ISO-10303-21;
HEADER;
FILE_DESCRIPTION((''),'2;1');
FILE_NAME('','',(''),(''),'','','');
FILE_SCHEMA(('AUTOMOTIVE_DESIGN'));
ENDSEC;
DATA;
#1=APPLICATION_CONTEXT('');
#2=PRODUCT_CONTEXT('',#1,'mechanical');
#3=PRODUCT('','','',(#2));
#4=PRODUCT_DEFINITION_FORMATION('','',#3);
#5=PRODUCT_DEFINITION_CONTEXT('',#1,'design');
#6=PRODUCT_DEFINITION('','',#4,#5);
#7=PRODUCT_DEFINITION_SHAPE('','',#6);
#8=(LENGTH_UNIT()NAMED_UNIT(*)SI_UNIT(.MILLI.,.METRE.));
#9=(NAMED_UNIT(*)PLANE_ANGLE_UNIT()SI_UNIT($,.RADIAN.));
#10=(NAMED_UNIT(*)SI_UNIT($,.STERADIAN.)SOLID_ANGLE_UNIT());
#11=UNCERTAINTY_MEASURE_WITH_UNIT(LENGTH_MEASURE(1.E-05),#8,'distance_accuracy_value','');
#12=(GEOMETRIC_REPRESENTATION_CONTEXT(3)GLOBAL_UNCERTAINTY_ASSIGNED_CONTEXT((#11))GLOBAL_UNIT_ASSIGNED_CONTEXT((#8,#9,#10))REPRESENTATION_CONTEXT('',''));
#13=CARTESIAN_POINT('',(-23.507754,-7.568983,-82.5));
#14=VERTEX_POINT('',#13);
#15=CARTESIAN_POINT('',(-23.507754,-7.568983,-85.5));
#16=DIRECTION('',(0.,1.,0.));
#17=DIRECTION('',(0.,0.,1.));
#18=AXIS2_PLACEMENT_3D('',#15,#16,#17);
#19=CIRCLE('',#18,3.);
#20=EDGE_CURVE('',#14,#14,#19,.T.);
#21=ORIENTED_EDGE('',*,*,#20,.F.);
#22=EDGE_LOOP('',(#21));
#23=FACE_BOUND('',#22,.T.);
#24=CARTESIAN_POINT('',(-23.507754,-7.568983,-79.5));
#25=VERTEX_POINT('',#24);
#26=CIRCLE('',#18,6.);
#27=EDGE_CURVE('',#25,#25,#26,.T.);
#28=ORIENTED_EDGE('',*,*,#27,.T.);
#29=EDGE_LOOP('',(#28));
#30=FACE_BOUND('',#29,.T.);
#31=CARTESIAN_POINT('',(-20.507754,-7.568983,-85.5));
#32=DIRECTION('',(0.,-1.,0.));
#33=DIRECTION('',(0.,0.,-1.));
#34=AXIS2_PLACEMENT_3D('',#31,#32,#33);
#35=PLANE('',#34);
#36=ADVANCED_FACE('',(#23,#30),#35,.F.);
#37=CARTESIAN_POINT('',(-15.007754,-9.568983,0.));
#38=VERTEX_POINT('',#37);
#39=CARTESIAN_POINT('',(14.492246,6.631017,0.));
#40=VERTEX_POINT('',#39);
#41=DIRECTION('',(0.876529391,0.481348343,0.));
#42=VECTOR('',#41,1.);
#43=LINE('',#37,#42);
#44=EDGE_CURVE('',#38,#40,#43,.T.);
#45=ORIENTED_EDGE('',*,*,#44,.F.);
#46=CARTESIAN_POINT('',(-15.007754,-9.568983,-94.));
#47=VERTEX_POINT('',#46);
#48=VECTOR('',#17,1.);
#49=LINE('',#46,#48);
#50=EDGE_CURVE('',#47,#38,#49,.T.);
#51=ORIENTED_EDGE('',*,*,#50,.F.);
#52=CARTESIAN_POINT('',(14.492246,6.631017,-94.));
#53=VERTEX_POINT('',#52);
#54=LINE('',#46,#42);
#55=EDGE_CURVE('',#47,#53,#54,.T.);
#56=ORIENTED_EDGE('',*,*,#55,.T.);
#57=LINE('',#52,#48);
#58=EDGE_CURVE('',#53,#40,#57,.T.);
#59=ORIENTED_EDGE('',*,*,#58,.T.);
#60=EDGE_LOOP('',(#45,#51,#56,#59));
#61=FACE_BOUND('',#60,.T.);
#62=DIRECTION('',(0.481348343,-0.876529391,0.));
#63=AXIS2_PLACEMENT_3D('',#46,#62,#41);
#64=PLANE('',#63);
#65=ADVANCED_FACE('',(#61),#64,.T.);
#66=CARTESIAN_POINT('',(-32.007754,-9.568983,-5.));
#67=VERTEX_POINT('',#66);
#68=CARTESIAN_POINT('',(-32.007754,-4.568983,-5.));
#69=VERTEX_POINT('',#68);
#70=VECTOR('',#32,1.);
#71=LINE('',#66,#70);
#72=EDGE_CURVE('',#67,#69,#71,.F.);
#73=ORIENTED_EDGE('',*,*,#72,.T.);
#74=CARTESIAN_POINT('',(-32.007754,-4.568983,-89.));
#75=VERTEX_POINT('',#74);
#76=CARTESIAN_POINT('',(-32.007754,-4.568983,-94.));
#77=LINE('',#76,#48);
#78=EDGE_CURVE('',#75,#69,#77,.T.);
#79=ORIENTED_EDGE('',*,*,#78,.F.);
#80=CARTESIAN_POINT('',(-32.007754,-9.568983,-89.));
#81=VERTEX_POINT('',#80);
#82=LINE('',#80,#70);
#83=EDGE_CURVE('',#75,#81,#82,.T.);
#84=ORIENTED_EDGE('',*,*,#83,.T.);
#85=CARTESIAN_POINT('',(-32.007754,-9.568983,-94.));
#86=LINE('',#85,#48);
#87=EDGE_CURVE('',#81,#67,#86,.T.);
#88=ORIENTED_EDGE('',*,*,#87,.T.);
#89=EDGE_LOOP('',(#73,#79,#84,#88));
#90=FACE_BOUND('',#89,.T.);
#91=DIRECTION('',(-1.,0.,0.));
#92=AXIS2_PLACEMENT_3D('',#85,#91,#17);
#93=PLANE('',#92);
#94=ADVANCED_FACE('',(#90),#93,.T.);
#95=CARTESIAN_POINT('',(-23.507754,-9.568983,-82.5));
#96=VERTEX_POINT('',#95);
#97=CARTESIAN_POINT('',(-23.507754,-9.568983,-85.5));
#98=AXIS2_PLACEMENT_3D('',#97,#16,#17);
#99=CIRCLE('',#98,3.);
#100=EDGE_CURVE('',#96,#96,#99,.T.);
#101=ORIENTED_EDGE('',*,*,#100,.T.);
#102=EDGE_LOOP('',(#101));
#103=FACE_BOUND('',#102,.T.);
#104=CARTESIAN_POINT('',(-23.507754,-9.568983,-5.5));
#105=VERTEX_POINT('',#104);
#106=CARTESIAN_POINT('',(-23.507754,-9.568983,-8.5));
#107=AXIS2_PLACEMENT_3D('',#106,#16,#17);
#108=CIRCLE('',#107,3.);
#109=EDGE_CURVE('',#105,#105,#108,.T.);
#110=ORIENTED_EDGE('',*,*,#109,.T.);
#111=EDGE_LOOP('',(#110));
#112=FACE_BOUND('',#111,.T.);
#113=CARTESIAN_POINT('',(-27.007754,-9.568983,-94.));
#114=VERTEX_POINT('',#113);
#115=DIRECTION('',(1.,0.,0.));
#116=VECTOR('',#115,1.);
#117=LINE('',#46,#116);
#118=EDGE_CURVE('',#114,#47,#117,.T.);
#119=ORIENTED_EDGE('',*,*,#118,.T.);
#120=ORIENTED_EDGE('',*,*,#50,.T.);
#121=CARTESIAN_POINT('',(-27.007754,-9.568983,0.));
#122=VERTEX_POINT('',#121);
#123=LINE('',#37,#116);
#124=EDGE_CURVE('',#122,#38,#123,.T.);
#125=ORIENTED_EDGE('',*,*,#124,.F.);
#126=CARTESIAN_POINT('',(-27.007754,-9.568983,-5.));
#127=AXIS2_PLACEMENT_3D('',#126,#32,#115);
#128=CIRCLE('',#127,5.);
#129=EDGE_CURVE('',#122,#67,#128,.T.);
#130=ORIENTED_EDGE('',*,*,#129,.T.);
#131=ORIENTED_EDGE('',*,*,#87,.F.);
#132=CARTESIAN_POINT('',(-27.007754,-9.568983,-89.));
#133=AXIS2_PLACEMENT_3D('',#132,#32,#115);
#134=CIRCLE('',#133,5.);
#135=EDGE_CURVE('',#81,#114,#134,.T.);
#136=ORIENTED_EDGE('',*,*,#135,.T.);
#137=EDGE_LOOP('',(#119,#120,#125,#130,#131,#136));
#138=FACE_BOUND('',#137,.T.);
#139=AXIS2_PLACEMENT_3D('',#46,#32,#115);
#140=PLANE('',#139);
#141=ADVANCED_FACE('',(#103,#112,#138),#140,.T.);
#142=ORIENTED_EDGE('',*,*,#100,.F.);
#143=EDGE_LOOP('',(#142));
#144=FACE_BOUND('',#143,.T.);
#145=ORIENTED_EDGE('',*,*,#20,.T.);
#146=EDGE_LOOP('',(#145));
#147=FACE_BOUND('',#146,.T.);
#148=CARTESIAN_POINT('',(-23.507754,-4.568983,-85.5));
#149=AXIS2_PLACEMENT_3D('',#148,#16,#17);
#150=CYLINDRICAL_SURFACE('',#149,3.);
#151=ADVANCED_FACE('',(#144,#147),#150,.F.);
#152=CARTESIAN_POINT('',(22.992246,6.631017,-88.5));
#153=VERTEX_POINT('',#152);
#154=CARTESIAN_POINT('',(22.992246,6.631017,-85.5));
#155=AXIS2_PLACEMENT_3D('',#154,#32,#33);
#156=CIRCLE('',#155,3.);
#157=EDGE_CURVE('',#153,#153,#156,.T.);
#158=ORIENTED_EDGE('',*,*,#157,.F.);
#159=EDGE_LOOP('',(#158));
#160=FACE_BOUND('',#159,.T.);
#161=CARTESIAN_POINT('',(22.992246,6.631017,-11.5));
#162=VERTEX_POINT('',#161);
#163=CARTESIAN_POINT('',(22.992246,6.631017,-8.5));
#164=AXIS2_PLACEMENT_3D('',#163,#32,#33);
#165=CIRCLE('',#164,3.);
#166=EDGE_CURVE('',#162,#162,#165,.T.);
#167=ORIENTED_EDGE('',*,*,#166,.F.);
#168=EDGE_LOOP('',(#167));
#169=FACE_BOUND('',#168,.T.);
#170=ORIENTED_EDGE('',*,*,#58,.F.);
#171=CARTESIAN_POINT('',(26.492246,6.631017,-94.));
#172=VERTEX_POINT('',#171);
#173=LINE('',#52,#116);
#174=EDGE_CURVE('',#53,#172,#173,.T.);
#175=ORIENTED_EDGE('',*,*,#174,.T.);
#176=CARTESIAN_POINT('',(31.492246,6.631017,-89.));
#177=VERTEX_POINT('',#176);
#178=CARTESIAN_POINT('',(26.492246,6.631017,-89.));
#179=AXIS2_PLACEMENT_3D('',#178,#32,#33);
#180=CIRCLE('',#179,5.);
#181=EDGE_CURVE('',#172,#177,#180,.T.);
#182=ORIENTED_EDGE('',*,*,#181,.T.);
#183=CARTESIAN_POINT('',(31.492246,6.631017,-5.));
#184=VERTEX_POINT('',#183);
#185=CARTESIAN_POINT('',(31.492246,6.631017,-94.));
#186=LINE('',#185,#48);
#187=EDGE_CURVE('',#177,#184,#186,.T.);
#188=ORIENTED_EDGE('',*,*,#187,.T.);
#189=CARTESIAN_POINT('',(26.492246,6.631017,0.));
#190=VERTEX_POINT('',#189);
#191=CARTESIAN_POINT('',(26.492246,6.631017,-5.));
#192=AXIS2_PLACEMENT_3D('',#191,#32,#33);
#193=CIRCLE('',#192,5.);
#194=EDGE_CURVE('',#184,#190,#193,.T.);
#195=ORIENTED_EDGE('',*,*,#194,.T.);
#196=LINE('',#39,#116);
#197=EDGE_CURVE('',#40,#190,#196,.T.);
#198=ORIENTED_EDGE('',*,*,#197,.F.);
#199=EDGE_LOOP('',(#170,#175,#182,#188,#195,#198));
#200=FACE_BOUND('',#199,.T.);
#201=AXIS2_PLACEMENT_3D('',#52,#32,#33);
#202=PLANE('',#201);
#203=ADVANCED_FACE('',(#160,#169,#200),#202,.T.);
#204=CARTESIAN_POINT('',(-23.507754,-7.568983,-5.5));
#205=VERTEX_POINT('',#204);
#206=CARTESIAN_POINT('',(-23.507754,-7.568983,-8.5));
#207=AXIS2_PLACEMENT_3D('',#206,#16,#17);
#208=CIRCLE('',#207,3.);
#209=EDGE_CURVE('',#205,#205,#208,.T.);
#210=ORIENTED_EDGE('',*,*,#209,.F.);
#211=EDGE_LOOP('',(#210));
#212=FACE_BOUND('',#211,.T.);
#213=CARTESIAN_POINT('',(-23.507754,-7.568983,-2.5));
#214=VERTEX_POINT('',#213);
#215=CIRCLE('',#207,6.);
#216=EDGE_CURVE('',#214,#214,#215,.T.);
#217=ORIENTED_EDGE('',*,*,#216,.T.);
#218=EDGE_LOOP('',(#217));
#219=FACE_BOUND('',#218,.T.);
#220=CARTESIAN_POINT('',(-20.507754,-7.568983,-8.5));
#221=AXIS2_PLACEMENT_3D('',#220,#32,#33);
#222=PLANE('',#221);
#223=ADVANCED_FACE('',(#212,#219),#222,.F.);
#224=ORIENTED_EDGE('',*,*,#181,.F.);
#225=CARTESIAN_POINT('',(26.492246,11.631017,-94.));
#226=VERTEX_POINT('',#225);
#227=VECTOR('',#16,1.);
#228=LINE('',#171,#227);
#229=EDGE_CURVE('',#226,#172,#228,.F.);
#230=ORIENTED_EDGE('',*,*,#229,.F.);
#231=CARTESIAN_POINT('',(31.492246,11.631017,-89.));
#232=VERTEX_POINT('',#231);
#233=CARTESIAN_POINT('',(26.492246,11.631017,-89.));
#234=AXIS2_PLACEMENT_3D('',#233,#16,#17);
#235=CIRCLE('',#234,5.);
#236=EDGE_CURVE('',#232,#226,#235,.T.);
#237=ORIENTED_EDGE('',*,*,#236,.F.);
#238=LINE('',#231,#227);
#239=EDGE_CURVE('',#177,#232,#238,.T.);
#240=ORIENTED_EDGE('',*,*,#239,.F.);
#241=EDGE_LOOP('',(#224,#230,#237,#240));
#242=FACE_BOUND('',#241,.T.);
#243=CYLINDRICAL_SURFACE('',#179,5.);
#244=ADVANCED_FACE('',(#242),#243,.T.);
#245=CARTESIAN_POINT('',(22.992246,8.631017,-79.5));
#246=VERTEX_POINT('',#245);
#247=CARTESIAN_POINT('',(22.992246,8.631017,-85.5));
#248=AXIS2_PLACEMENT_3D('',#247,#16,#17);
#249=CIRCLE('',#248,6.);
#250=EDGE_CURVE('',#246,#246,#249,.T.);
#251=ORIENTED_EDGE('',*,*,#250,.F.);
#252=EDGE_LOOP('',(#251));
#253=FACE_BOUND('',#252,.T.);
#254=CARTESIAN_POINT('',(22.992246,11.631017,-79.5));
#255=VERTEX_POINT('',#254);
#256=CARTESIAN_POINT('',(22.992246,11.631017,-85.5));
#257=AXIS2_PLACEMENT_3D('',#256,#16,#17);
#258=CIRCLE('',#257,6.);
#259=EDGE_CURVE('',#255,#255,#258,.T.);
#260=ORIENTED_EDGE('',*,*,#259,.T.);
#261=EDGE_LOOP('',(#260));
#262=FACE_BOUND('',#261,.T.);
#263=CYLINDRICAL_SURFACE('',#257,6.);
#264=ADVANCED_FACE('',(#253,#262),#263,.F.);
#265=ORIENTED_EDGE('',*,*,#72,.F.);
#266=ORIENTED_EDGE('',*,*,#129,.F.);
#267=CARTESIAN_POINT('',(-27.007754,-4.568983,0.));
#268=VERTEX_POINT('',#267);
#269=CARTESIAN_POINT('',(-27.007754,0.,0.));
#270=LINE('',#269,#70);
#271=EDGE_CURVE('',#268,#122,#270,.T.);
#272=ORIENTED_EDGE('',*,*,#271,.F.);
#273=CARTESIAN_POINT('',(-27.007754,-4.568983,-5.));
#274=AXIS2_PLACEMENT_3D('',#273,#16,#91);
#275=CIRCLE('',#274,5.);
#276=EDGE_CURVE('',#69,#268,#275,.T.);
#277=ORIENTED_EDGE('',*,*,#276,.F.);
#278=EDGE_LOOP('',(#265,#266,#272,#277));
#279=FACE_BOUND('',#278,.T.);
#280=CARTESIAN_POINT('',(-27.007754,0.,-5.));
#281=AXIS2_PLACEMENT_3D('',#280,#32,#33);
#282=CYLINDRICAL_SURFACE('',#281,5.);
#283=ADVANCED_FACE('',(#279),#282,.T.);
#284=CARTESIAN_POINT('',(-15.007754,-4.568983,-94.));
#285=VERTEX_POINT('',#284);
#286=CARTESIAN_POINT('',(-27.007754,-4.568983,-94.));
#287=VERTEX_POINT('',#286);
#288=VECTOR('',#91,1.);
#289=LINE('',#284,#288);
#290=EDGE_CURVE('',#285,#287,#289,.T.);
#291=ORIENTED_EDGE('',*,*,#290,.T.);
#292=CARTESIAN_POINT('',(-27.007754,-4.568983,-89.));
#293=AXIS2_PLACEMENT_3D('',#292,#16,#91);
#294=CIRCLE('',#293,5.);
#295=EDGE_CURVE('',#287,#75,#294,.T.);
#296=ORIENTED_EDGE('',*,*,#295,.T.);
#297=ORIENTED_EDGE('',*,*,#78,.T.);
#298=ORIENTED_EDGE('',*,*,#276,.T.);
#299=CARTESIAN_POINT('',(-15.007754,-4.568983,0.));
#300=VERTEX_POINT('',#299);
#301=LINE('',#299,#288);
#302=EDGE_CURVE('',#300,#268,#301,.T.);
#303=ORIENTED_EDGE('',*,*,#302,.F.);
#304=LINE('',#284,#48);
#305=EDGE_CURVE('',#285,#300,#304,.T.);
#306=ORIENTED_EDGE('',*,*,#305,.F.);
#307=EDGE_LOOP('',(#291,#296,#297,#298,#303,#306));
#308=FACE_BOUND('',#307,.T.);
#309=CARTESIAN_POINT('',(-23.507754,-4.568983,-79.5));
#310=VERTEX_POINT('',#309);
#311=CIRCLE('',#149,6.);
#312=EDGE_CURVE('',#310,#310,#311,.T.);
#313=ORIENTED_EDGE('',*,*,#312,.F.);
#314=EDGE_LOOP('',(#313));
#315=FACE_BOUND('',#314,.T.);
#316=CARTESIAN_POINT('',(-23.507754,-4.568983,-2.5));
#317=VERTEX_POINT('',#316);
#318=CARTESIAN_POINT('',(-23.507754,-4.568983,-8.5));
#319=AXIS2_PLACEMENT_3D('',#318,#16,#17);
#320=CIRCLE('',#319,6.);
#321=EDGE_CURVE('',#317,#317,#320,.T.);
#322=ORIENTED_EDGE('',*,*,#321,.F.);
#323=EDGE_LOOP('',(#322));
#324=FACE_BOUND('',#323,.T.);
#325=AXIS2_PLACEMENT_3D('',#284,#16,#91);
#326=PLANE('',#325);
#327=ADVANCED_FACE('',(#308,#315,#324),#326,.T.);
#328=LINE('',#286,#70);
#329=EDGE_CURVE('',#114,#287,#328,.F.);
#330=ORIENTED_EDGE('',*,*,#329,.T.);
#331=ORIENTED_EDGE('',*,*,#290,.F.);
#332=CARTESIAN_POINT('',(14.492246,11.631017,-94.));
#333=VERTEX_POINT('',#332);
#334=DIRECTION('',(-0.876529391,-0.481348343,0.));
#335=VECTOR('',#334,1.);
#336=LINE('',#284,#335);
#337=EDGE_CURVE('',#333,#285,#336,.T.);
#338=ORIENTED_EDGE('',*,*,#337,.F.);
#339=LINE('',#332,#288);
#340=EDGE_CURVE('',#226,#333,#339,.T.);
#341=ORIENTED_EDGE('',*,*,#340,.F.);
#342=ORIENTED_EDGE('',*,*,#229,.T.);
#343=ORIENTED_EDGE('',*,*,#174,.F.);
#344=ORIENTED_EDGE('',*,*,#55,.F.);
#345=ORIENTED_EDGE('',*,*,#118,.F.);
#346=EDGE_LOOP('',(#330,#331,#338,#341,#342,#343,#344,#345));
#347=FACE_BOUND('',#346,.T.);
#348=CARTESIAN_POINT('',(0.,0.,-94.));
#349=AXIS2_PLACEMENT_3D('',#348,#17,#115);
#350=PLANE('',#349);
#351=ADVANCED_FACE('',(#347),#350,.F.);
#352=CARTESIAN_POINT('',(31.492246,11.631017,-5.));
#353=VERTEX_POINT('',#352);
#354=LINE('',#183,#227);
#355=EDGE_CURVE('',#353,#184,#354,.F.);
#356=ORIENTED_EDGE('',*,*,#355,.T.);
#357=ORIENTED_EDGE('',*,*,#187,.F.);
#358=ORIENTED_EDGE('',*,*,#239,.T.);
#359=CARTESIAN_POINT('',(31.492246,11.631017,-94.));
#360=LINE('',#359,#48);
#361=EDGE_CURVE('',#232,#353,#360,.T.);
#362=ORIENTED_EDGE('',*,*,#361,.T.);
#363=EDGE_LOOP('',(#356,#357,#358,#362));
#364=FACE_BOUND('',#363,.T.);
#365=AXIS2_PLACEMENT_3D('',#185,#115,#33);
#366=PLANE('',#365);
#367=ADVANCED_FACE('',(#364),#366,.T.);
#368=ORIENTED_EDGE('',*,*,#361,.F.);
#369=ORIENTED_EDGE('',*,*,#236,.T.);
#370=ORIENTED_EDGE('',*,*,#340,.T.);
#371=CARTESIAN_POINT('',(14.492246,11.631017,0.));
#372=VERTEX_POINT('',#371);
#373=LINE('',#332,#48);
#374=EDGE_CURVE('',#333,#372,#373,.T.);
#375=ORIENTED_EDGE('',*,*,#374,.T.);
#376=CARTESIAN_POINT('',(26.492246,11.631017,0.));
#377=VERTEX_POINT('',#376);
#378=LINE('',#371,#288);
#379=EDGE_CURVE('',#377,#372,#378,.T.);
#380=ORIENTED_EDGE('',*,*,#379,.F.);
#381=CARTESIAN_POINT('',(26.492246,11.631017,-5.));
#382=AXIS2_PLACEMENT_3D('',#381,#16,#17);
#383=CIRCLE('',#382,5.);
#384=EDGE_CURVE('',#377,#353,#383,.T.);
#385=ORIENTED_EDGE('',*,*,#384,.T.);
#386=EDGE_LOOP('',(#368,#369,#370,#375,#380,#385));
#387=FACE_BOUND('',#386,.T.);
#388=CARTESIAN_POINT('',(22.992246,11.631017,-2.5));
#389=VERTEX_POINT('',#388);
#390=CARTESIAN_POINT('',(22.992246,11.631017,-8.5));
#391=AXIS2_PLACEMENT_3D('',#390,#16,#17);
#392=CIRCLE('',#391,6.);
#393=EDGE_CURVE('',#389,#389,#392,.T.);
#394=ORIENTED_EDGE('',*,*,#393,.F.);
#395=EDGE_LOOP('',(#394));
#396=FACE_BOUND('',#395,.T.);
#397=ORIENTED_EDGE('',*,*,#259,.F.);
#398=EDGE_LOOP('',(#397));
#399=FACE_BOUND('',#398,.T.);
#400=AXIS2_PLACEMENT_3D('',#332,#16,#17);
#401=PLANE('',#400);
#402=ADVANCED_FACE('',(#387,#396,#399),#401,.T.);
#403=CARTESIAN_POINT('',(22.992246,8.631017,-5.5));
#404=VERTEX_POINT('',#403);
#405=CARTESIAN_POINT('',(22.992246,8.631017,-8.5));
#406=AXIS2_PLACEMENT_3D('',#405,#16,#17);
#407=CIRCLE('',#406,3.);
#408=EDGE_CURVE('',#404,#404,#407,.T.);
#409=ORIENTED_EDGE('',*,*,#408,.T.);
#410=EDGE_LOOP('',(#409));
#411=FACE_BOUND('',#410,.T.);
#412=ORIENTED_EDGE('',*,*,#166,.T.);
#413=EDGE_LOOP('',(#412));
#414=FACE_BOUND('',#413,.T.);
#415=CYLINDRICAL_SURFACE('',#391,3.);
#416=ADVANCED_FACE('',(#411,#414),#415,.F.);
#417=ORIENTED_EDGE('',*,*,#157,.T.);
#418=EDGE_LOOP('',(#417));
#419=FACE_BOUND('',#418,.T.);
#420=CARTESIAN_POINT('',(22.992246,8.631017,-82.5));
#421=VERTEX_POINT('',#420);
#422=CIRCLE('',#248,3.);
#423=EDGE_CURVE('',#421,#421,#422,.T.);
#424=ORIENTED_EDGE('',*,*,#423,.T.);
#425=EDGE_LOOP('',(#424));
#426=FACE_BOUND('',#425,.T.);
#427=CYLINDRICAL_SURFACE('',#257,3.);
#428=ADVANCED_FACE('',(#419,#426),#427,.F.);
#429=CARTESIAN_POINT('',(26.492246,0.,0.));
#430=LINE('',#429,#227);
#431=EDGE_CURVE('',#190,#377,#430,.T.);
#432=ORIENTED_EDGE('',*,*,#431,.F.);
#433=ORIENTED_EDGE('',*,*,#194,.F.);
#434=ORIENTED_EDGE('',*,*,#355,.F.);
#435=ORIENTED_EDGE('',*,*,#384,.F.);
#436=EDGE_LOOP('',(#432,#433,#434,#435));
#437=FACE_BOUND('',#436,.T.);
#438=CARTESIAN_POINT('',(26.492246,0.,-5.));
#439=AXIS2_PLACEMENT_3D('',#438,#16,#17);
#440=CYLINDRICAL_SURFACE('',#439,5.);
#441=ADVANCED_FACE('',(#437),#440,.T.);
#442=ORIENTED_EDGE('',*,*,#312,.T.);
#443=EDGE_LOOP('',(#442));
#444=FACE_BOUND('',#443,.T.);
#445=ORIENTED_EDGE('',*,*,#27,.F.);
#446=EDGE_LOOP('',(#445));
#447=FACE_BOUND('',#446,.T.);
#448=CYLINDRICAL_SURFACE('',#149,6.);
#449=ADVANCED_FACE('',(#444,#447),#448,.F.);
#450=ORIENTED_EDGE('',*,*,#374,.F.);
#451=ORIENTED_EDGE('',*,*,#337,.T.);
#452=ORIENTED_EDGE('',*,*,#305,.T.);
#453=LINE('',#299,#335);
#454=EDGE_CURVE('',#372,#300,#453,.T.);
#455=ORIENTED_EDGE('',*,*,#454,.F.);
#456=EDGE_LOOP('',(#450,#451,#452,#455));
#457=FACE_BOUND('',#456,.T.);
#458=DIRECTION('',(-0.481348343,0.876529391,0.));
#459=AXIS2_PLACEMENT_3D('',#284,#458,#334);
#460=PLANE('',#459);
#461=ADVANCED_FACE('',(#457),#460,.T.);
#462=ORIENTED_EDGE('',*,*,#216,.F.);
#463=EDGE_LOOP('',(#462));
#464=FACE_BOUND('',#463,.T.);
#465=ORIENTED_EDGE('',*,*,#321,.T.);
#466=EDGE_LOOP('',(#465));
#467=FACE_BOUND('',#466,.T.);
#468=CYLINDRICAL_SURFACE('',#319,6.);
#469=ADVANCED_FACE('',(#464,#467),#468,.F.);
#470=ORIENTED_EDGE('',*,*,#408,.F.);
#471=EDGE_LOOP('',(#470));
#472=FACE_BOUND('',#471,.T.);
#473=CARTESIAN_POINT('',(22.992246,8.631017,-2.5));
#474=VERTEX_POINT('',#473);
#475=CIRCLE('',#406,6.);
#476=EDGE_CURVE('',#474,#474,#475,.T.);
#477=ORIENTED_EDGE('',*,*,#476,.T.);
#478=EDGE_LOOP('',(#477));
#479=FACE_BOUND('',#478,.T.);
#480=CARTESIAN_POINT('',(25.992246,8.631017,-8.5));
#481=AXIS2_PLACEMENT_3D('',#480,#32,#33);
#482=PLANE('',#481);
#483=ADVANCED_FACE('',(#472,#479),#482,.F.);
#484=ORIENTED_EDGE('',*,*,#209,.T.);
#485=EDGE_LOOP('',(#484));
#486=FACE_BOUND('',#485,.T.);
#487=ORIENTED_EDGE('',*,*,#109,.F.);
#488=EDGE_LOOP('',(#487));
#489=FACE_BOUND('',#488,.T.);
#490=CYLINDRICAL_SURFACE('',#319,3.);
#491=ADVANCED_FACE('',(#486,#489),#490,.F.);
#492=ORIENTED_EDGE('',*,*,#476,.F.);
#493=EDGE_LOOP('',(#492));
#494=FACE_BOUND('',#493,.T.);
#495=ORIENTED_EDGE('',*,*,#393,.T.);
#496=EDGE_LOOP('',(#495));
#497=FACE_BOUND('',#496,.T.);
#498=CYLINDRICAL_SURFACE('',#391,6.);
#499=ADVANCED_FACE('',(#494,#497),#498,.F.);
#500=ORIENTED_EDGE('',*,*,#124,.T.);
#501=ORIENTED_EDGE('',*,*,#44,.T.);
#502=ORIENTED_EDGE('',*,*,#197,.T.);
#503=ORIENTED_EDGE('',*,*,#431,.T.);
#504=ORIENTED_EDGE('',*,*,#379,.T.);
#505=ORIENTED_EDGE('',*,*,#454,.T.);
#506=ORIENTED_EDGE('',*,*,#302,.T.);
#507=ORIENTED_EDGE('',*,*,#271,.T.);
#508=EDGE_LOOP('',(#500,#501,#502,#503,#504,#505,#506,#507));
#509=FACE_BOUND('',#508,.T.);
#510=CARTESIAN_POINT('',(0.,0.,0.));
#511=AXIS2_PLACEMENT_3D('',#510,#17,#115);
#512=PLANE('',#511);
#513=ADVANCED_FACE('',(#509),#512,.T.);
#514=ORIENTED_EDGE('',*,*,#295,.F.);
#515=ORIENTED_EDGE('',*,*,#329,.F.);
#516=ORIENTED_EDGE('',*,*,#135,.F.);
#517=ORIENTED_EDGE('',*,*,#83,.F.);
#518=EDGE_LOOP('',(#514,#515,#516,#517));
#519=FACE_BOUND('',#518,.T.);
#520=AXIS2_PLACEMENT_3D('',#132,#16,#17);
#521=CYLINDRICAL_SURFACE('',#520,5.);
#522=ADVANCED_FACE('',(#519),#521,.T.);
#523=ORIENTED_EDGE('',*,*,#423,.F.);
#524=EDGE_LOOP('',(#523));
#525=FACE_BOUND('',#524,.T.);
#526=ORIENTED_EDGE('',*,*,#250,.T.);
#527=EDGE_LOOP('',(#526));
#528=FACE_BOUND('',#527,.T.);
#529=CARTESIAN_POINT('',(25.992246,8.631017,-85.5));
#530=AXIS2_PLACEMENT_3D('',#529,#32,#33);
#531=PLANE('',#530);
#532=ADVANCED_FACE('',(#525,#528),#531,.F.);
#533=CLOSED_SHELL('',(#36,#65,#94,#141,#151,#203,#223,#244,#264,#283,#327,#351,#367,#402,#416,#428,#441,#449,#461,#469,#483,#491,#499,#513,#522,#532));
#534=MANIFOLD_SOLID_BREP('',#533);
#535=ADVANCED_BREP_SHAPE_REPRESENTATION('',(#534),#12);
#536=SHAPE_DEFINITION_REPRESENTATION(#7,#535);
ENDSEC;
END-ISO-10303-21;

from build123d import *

# Parameters (mm, degrees)
COVER_BODY_DEPTH                        = 94
CBORE_FOR_M6_HEX_HEAD_BOLT1_D           = 6
CBORE_FOR_M6_HEX_HEAD_BOLT1_CBORE_D     = 12
CBORE_FOR_M6_HEX_HEAD_BOLT1_CBORE_DEPTH = 3
CBORE_FOR_M6_HEX_HEAD_BOLT2_D           = 6
CBORE_FOR_M6_HEX_HEAD_BOLT2_CBORE_D     = 12
CBORE_FOR_M6_HEX_HEAD_BOLT2_CBORE_DEPTH = 3
FILLET1_R                               = 5


with BuildPart() as part:
    # Sketch1 → Cover Body (new body)
    with BuildSketch(Plane.XY):
        Polygon((-15.007754177, -4.568983292), (14.492245823, 11.631016708), (31.492245823, 11.631016708), (31.492245823, 6.631016708), (14.492245823, 6.631016708), (-15.007754177, -9.568983292), (-32.007754177, -9.568983292), (-32.007754177, -4.568983292), align=None)
    extrude(amount=-COVER_BODY_DEPTH)

    # CBORE for M6 Hex Head Bolt1 (through all)
    with Locations(Plane(origin=(0, -4.568983292, 0), x_dir=(1, 0, 0), z_dir=(0, 1, 0))):
        with Locations((-23.507754177, 85.5), (-23.507754177, 8.5)):
            CounterBoreHole(CBORE_FOR_M6_HEX_HEAD_BOLT1_D / 2, CBORE_FOR_M6_HEX_HEAD_BOLT1_CBORE_D / 2, CBORE_FOR_M6_HEX_HEAD_BOLT1_CBORE_DEPTH)

    # CBORE for M6 Hex Head Bolt2 (through all)
    with Locations(Plane(origin=(0, 11.631016708, 0), x_dir=(1, 0, 0), z_dir=(0, 1, 0))):
        with Locations((22.992245823, 8.5), (22.992245823, 85.5)):
            CounterBoreHole(CBORE_FOR_M6_HEX_HEAD_BOLT2_D / 2, CBORE_FOR_M6_HEX_HEAD_BOLT2_CBORE_D / 2, CBORE_FOR_M6_HEX_HEAD_BOLT2_CBORE_DEPTH)

    # Fillet1
    fillet1_edges = [part.edges().sort_by_distance(p)[0] for p in [
        (31.492245823, 9.131016708, 0),
        (31.492245823, 9.131016708, -94),
        (-32.007754177, -7.068983292, -94),
        (-32.007754177, -7.068983292, 0),
    ]]
    fillet(fillet1_edges, radius=FILLET1_R)


solid = part.part
